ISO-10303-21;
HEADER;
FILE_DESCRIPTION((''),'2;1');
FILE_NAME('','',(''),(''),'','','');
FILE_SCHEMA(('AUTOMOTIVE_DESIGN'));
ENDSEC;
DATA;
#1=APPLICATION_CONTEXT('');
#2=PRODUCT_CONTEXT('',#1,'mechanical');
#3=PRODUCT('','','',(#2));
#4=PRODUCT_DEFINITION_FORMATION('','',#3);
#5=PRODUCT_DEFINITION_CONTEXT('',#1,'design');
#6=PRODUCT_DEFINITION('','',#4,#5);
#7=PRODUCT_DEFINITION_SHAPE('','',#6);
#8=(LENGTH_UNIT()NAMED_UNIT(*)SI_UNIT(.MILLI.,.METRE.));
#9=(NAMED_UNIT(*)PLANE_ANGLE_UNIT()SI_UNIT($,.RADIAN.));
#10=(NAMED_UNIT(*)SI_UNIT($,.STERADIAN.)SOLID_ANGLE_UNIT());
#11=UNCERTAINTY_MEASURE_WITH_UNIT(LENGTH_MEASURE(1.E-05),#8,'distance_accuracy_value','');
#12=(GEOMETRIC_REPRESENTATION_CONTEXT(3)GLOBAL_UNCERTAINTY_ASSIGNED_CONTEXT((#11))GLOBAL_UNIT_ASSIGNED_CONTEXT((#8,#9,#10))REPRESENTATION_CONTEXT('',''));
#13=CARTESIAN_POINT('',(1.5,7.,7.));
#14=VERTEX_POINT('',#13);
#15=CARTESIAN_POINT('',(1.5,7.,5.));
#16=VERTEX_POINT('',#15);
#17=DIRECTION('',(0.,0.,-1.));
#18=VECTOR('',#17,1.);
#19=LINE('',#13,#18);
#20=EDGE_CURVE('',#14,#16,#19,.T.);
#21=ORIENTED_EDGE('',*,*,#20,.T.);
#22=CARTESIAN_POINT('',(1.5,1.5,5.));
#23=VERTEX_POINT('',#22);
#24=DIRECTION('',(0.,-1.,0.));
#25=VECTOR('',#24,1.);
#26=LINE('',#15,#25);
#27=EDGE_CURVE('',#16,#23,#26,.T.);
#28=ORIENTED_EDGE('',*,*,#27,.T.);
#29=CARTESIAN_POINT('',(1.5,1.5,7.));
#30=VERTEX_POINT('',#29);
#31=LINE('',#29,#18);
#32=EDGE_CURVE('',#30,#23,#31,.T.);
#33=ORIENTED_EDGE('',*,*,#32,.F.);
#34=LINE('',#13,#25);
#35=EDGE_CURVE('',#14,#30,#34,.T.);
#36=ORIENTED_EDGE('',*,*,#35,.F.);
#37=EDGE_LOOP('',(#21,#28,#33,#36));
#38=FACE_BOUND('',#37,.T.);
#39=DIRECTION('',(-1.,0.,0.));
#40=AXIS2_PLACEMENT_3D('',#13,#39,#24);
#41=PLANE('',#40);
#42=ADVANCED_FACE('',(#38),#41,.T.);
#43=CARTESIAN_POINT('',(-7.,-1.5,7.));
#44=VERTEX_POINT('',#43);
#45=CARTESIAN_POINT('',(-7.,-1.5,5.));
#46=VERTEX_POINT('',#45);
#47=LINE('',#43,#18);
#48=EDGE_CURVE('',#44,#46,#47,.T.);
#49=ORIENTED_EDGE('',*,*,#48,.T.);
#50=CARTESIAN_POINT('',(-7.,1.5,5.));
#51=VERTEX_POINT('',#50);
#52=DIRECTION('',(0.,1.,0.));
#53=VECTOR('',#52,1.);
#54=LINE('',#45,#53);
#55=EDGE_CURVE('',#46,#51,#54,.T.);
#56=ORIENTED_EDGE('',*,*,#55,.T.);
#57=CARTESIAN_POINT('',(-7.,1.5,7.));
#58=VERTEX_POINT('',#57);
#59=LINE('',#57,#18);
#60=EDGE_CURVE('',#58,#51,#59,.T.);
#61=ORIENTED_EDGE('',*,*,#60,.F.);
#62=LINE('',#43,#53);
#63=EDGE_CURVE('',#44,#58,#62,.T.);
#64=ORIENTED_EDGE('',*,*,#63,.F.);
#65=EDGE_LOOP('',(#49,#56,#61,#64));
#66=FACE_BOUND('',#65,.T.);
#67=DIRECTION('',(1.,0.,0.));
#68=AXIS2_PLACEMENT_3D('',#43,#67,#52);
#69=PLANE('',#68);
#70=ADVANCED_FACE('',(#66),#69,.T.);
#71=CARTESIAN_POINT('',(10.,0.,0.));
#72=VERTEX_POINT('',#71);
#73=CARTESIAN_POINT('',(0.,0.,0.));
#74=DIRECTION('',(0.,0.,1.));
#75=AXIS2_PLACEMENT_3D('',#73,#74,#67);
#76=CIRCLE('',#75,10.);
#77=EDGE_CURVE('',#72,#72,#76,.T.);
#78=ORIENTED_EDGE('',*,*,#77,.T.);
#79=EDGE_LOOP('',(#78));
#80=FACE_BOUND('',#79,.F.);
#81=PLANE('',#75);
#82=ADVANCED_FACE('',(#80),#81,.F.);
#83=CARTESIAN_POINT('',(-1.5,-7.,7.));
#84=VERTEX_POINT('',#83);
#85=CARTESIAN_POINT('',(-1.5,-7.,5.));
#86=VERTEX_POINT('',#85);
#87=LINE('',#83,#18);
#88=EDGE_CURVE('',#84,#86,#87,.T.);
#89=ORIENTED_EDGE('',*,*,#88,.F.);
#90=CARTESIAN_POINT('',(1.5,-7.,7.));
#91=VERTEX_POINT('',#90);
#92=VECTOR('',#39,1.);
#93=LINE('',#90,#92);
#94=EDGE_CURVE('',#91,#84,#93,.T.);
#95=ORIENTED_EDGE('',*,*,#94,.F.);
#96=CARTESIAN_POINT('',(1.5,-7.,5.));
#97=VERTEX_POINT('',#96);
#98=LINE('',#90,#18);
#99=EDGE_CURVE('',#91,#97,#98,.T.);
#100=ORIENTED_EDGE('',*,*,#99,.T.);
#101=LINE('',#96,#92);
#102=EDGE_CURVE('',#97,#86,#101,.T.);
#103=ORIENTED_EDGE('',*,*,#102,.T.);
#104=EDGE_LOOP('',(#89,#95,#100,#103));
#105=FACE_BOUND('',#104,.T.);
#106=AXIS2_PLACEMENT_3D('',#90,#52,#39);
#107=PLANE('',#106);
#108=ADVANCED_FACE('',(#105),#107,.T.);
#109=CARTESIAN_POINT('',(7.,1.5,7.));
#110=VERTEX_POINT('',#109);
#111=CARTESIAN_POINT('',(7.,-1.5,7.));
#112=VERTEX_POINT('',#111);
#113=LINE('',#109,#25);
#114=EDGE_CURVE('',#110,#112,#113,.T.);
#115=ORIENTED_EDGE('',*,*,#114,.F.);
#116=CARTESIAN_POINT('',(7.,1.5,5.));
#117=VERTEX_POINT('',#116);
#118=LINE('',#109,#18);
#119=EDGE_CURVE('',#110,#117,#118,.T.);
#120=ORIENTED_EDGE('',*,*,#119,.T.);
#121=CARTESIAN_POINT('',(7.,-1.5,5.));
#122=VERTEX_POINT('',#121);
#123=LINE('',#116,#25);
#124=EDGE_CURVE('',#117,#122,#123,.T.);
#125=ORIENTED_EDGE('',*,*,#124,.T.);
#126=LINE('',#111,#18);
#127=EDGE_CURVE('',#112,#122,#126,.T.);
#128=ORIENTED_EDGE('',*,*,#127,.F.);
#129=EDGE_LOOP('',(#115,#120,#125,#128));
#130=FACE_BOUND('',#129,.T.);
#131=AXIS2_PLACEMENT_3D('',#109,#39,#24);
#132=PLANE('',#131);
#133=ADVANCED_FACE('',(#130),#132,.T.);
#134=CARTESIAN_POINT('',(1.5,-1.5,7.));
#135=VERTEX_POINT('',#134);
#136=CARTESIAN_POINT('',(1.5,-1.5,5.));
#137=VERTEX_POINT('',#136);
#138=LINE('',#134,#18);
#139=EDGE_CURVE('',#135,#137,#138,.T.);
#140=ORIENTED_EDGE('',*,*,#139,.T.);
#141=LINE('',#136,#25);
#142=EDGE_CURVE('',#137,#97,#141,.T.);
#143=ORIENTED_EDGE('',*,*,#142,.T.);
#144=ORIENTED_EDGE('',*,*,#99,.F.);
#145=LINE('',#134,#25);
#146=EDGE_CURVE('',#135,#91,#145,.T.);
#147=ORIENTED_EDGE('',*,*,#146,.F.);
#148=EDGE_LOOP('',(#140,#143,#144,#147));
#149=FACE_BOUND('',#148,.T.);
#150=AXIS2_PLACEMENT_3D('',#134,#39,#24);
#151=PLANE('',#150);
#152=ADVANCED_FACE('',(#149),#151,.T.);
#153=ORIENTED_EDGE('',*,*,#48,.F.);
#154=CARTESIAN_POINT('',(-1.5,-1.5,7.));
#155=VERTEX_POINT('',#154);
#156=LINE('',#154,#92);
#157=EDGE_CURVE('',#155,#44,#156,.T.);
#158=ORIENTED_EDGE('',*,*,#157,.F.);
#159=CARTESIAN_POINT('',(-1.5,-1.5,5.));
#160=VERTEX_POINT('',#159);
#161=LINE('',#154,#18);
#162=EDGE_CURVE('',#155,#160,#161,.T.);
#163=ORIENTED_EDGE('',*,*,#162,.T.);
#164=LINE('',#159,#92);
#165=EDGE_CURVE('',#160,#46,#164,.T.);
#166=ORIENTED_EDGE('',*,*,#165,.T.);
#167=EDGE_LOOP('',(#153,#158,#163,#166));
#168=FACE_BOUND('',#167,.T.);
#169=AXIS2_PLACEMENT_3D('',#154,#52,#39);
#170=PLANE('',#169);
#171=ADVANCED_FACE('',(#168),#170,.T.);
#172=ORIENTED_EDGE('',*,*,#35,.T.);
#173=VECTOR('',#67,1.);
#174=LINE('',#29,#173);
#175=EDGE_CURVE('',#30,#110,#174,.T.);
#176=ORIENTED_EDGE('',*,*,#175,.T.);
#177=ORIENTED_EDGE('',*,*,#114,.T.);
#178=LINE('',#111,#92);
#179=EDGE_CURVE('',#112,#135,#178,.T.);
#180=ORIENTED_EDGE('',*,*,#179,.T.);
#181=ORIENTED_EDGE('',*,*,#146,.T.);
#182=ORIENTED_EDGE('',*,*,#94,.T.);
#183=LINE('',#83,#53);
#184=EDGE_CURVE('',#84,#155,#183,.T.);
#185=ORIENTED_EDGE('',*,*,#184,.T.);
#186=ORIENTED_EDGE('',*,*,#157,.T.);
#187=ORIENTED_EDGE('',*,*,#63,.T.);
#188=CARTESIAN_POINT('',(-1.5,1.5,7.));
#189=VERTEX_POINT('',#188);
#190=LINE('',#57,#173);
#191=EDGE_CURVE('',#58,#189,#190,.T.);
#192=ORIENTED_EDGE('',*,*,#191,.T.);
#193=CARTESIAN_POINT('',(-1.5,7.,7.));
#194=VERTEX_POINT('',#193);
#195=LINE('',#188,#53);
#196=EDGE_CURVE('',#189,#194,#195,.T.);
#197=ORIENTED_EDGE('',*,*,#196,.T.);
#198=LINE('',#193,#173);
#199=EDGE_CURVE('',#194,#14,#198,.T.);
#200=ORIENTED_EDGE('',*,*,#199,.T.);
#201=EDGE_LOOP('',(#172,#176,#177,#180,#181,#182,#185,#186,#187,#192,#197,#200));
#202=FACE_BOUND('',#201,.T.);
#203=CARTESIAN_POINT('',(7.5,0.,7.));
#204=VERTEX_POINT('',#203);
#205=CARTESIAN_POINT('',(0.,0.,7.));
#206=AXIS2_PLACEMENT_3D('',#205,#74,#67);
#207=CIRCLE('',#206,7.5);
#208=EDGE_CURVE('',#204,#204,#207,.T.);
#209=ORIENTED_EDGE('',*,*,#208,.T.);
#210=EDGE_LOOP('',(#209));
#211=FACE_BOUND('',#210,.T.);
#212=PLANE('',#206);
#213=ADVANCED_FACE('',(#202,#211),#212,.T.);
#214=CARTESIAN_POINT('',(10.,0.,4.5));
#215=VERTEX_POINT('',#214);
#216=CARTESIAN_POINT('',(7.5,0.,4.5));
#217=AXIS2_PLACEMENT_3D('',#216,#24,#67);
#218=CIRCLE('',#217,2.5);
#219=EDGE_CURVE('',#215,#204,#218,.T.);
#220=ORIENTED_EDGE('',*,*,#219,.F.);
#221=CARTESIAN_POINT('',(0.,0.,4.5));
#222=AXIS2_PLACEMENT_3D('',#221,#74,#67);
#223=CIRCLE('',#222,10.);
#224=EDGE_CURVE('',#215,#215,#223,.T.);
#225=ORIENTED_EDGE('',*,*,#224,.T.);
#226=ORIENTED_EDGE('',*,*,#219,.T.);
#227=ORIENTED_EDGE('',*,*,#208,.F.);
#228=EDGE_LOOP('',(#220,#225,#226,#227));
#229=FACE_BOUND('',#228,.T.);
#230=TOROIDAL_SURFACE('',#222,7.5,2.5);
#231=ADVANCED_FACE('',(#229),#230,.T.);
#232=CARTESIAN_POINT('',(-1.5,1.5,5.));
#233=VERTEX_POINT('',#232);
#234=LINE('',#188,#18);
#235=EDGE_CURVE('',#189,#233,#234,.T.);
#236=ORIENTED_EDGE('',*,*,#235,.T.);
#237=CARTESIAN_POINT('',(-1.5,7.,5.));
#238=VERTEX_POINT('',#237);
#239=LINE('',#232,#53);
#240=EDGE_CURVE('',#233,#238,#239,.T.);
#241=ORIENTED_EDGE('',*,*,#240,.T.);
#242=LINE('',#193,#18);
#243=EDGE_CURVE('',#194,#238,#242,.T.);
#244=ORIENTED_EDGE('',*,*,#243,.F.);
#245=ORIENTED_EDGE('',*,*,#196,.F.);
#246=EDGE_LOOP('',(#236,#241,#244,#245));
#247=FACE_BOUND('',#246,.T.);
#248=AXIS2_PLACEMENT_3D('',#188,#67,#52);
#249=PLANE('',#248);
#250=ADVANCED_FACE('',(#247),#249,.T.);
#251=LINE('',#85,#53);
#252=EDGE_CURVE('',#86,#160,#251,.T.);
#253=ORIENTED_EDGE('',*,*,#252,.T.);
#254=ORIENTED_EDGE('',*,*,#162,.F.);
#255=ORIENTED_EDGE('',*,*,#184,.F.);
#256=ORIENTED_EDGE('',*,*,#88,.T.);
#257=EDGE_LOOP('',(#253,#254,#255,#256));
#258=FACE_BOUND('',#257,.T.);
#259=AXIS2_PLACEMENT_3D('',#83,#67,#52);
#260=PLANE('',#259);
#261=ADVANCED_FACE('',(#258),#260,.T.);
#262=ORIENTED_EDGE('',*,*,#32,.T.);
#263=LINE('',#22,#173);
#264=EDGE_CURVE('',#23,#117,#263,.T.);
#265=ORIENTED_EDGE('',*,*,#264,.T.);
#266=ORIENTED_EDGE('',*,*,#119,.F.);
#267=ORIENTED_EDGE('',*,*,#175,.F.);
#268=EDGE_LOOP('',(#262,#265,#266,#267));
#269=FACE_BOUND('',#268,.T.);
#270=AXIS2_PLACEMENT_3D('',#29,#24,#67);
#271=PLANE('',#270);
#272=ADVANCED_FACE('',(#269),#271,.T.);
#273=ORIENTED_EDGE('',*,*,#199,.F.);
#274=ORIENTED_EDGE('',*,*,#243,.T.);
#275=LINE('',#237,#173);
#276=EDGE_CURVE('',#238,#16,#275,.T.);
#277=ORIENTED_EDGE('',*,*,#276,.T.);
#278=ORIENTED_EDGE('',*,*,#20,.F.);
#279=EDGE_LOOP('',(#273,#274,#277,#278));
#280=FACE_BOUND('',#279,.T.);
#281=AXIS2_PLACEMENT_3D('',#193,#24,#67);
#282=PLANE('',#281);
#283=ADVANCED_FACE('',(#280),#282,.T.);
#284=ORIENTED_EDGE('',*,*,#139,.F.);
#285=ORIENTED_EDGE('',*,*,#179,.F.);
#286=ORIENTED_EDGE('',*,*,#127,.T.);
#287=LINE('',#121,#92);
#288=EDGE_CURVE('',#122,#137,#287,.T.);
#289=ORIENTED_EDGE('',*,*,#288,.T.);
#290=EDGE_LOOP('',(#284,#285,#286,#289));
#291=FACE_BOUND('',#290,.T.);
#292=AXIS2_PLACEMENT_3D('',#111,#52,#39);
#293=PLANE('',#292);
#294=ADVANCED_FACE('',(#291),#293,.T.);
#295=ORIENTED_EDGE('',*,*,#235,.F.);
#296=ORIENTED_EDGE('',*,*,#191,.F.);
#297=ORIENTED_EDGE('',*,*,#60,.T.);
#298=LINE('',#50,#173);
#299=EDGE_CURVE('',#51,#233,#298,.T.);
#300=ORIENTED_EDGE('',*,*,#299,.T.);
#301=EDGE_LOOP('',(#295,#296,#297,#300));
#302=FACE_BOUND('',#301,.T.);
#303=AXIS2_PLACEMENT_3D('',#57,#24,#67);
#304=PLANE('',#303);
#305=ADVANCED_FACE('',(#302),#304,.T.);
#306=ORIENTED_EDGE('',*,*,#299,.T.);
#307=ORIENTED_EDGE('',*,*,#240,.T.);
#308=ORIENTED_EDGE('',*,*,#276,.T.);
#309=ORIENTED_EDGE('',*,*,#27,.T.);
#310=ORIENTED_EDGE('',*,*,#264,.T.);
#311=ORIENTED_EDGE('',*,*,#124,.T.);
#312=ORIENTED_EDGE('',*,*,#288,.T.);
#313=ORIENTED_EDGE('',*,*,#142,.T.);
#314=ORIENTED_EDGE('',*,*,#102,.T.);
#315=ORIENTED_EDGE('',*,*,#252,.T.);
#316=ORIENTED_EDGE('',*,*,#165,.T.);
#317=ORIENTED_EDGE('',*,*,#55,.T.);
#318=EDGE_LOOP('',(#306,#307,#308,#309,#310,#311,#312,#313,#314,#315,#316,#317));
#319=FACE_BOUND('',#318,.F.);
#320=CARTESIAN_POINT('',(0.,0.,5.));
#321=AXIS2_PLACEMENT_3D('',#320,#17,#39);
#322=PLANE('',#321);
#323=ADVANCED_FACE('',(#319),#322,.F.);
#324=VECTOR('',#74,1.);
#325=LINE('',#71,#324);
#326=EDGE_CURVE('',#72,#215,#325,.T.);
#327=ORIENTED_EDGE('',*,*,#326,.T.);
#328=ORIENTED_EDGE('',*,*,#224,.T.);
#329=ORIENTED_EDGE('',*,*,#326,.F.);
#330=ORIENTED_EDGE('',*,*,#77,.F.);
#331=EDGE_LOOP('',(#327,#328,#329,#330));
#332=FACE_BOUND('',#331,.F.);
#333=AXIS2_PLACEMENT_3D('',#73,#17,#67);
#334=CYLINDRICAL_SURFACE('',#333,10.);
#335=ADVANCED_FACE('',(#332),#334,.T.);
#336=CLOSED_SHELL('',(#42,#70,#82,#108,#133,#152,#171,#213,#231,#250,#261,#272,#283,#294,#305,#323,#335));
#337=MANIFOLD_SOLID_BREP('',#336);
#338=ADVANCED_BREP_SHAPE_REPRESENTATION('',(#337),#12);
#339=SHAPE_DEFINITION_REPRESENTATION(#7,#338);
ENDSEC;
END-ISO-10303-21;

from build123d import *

# Parameters (mm, degrees)
SKETCH002_R  = 10
PAD001_DEPTH = 7
POCKET_DEPTH = 2
FILLET_R     = 2.5


with BuildPart() as part:
    # Sketch002 → Pad001 (new body)
    with BuildSketch(Plane.XY):
        Circle(SKETCH002_R)
    extrude(amount=PAD001_DEPTH)

    # Sketch003 → Pocket (cut)
    with BuildSketch(Plane.XY.offset(7)):
        Polygon((-1.5, 7), (1.5, 7), (1.5, 1.5), (7, 1.5), (7, -1.5), (1.5, -1.5), (1.5, -7), (-1.5, -7), (-1.5, -1.5), (-7, -1.5), (-7, 1.5), (-1.5, 1.5), align=None)
    extrude(amount=-POCKET_DEPTH, mode=Mode.SUBTRACT)

    # Fillet
    fillet_edges = [part.edges().sort_by_distance(p)[0] for p in [
        (-10, 0, 7),
    ]]
    fillet(fillet_edges, radius=FILLET_R)


solid = part.part
